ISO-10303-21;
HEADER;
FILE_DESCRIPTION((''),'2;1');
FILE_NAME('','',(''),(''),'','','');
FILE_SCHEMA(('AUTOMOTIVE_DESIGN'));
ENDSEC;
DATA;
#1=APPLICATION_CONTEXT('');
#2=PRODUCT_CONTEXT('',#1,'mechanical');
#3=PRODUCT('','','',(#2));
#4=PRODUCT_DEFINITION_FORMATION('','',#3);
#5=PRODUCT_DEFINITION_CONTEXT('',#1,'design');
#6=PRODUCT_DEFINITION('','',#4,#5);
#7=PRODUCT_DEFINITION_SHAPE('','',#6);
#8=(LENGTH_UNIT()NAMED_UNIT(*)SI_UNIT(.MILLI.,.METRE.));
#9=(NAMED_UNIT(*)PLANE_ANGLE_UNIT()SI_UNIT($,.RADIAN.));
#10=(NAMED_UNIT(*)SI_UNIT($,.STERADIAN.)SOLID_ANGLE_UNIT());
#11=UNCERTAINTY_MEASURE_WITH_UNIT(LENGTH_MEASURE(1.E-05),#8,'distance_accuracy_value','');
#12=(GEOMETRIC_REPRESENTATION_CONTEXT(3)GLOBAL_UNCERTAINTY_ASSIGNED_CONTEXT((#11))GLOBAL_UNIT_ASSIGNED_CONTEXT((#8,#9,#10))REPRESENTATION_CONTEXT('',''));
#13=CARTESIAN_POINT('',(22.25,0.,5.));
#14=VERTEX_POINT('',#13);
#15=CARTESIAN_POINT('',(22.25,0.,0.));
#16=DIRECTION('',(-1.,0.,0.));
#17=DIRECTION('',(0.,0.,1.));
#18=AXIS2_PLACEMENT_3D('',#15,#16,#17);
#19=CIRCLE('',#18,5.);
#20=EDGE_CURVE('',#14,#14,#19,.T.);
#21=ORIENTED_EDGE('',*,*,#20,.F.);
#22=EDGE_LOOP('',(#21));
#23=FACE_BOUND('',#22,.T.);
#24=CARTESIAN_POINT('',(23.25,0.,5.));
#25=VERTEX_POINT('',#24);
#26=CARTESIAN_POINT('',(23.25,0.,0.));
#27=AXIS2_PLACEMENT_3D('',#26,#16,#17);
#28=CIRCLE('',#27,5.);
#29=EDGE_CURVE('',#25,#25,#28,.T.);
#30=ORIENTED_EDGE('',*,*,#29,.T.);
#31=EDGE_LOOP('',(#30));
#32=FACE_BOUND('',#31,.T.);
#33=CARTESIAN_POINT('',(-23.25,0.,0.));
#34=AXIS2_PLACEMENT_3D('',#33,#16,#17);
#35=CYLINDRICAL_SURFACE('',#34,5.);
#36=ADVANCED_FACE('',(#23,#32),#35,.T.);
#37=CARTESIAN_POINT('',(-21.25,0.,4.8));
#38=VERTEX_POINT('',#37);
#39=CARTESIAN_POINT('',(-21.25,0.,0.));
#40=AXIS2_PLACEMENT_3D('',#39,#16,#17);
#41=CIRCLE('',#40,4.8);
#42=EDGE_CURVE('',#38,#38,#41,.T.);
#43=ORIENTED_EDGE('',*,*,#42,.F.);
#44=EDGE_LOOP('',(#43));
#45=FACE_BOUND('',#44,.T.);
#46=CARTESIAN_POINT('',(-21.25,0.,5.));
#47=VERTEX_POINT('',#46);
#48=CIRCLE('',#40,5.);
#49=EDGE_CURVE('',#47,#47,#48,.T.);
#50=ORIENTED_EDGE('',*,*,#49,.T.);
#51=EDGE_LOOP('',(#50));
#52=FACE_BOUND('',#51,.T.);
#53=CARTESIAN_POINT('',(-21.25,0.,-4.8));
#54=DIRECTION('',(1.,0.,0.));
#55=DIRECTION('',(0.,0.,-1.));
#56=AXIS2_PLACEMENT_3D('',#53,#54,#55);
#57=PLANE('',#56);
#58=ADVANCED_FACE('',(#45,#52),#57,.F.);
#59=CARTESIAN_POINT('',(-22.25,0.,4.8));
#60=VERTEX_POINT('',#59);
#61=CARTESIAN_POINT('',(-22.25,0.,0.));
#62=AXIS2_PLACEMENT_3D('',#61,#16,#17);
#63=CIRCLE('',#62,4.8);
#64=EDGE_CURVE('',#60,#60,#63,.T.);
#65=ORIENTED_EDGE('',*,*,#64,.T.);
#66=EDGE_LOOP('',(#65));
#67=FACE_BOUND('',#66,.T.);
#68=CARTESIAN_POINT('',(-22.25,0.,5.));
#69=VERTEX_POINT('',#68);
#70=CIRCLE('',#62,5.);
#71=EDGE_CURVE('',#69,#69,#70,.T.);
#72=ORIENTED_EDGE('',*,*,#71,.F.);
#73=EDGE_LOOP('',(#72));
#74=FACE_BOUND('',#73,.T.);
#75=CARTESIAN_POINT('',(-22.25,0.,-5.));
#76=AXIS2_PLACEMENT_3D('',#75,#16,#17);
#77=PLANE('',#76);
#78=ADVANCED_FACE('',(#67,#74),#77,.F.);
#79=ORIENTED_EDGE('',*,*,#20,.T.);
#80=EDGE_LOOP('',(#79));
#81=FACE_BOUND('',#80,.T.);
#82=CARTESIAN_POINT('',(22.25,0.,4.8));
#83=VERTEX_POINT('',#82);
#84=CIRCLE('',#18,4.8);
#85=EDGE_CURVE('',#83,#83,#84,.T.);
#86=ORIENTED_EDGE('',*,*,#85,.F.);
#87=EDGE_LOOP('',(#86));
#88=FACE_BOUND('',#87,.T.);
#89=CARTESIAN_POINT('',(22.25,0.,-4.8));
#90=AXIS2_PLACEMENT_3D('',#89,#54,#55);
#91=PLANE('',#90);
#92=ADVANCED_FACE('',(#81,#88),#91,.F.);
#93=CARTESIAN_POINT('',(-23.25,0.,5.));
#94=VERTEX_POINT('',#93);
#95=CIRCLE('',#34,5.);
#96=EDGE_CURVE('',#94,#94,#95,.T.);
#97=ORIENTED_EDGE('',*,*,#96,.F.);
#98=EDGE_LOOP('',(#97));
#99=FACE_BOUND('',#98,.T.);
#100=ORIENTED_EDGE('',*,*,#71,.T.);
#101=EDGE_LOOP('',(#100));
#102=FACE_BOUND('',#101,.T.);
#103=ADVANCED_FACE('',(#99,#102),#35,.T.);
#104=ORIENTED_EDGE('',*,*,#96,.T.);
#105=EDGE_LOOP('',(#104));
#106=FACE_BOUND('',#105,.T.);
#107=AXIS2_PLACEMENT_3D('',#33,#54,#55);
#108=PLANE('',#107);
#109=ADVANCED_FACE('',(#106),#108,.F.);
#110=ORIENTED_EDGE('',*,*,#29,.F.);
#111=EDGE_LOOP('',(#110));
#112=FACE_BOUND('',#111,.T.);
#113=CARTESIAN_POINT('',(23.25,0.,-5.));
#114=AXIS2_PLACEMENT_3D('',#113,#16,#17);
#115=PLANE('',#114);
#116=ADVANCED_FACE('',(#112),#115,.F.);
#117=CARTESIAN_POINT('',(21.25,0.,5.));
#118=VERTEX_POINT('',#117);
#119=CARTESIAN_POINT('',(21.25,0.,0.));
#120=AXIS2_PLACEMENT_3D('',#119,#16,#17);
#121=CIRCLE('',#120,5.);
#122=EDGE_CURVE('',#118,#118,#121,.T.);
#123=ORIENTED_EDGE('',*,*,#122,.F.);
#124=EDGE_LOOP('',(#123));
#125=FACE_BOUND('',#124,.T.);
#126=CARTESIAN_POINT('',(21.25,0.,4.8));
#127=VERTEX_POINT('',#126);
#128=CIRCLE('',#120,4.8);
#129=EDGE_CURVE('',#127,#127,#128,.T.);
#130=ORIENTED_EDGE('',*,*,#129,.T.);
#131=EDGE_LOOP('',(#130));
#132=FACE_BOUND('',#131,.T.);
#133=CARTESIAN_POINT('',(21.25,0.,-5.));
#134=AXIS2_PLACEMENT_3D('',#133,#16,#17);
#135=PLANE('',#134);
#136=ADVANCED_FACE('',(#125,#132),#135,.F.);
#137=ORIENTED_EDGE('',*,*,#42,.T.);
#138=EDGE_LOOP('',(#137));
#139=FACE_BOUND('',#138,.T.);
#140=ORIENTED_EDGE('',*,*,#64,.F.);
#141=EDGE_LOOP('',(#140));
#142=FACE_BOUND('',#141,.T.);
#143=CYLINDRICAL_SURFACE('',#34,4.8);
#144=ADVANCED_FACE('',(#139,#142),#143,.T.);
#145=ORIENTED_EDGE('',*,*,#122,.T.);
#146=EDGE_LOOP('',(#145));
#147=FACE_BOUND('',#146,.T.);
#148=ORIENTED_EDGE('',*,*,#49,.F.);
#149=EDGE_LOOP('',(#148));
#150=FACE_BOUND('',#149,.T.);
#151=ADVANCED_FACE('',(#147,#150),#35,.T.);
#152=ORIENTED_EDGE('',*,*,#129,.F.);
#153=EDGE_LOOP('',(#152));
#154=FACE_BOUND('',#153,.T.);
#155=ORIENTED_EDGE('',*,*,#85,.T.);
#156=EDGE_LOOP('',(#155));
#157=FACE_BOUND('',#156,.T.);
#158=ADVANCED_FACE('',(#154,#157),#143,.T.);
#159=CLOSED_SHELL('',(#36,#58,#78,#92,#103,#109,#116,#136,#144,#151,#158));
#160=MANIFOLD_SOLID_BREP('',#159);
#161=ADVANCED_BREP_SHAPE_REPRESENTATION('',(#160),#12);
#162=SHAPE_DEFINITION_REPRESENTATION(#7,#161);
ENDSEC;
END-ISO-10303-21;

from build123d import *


with BuildPart() as part:
    # Esboço1 → Revolução1 (revolve)
    with BuildSketch(Plane(origin=(0, 0, 0), x_dir=(1, 0, 0), z_dir=(0, 1, 0)), mode=Mode.PRIVATE) as revolu_o1_sk:
        Polygon((-23.25, 0), (-23.25, 5), (-22.25, 5), (-22.25, 4.8), (-21.25, 4.8), (-21.25, 5), (21.25, 5), (21.25, 4.8), (22.25, 4.8), (22.25, 5), (23.25, 5), (23.25, 0), align=None)
    revolve(revolu_o1_sk.sketch.rotate(Axis((-23.25, 0, 0), (1, 0, 0)), 180), axis=Axis((-23.25, 0, 0), (1, 0, 0)))


solid = part.part
